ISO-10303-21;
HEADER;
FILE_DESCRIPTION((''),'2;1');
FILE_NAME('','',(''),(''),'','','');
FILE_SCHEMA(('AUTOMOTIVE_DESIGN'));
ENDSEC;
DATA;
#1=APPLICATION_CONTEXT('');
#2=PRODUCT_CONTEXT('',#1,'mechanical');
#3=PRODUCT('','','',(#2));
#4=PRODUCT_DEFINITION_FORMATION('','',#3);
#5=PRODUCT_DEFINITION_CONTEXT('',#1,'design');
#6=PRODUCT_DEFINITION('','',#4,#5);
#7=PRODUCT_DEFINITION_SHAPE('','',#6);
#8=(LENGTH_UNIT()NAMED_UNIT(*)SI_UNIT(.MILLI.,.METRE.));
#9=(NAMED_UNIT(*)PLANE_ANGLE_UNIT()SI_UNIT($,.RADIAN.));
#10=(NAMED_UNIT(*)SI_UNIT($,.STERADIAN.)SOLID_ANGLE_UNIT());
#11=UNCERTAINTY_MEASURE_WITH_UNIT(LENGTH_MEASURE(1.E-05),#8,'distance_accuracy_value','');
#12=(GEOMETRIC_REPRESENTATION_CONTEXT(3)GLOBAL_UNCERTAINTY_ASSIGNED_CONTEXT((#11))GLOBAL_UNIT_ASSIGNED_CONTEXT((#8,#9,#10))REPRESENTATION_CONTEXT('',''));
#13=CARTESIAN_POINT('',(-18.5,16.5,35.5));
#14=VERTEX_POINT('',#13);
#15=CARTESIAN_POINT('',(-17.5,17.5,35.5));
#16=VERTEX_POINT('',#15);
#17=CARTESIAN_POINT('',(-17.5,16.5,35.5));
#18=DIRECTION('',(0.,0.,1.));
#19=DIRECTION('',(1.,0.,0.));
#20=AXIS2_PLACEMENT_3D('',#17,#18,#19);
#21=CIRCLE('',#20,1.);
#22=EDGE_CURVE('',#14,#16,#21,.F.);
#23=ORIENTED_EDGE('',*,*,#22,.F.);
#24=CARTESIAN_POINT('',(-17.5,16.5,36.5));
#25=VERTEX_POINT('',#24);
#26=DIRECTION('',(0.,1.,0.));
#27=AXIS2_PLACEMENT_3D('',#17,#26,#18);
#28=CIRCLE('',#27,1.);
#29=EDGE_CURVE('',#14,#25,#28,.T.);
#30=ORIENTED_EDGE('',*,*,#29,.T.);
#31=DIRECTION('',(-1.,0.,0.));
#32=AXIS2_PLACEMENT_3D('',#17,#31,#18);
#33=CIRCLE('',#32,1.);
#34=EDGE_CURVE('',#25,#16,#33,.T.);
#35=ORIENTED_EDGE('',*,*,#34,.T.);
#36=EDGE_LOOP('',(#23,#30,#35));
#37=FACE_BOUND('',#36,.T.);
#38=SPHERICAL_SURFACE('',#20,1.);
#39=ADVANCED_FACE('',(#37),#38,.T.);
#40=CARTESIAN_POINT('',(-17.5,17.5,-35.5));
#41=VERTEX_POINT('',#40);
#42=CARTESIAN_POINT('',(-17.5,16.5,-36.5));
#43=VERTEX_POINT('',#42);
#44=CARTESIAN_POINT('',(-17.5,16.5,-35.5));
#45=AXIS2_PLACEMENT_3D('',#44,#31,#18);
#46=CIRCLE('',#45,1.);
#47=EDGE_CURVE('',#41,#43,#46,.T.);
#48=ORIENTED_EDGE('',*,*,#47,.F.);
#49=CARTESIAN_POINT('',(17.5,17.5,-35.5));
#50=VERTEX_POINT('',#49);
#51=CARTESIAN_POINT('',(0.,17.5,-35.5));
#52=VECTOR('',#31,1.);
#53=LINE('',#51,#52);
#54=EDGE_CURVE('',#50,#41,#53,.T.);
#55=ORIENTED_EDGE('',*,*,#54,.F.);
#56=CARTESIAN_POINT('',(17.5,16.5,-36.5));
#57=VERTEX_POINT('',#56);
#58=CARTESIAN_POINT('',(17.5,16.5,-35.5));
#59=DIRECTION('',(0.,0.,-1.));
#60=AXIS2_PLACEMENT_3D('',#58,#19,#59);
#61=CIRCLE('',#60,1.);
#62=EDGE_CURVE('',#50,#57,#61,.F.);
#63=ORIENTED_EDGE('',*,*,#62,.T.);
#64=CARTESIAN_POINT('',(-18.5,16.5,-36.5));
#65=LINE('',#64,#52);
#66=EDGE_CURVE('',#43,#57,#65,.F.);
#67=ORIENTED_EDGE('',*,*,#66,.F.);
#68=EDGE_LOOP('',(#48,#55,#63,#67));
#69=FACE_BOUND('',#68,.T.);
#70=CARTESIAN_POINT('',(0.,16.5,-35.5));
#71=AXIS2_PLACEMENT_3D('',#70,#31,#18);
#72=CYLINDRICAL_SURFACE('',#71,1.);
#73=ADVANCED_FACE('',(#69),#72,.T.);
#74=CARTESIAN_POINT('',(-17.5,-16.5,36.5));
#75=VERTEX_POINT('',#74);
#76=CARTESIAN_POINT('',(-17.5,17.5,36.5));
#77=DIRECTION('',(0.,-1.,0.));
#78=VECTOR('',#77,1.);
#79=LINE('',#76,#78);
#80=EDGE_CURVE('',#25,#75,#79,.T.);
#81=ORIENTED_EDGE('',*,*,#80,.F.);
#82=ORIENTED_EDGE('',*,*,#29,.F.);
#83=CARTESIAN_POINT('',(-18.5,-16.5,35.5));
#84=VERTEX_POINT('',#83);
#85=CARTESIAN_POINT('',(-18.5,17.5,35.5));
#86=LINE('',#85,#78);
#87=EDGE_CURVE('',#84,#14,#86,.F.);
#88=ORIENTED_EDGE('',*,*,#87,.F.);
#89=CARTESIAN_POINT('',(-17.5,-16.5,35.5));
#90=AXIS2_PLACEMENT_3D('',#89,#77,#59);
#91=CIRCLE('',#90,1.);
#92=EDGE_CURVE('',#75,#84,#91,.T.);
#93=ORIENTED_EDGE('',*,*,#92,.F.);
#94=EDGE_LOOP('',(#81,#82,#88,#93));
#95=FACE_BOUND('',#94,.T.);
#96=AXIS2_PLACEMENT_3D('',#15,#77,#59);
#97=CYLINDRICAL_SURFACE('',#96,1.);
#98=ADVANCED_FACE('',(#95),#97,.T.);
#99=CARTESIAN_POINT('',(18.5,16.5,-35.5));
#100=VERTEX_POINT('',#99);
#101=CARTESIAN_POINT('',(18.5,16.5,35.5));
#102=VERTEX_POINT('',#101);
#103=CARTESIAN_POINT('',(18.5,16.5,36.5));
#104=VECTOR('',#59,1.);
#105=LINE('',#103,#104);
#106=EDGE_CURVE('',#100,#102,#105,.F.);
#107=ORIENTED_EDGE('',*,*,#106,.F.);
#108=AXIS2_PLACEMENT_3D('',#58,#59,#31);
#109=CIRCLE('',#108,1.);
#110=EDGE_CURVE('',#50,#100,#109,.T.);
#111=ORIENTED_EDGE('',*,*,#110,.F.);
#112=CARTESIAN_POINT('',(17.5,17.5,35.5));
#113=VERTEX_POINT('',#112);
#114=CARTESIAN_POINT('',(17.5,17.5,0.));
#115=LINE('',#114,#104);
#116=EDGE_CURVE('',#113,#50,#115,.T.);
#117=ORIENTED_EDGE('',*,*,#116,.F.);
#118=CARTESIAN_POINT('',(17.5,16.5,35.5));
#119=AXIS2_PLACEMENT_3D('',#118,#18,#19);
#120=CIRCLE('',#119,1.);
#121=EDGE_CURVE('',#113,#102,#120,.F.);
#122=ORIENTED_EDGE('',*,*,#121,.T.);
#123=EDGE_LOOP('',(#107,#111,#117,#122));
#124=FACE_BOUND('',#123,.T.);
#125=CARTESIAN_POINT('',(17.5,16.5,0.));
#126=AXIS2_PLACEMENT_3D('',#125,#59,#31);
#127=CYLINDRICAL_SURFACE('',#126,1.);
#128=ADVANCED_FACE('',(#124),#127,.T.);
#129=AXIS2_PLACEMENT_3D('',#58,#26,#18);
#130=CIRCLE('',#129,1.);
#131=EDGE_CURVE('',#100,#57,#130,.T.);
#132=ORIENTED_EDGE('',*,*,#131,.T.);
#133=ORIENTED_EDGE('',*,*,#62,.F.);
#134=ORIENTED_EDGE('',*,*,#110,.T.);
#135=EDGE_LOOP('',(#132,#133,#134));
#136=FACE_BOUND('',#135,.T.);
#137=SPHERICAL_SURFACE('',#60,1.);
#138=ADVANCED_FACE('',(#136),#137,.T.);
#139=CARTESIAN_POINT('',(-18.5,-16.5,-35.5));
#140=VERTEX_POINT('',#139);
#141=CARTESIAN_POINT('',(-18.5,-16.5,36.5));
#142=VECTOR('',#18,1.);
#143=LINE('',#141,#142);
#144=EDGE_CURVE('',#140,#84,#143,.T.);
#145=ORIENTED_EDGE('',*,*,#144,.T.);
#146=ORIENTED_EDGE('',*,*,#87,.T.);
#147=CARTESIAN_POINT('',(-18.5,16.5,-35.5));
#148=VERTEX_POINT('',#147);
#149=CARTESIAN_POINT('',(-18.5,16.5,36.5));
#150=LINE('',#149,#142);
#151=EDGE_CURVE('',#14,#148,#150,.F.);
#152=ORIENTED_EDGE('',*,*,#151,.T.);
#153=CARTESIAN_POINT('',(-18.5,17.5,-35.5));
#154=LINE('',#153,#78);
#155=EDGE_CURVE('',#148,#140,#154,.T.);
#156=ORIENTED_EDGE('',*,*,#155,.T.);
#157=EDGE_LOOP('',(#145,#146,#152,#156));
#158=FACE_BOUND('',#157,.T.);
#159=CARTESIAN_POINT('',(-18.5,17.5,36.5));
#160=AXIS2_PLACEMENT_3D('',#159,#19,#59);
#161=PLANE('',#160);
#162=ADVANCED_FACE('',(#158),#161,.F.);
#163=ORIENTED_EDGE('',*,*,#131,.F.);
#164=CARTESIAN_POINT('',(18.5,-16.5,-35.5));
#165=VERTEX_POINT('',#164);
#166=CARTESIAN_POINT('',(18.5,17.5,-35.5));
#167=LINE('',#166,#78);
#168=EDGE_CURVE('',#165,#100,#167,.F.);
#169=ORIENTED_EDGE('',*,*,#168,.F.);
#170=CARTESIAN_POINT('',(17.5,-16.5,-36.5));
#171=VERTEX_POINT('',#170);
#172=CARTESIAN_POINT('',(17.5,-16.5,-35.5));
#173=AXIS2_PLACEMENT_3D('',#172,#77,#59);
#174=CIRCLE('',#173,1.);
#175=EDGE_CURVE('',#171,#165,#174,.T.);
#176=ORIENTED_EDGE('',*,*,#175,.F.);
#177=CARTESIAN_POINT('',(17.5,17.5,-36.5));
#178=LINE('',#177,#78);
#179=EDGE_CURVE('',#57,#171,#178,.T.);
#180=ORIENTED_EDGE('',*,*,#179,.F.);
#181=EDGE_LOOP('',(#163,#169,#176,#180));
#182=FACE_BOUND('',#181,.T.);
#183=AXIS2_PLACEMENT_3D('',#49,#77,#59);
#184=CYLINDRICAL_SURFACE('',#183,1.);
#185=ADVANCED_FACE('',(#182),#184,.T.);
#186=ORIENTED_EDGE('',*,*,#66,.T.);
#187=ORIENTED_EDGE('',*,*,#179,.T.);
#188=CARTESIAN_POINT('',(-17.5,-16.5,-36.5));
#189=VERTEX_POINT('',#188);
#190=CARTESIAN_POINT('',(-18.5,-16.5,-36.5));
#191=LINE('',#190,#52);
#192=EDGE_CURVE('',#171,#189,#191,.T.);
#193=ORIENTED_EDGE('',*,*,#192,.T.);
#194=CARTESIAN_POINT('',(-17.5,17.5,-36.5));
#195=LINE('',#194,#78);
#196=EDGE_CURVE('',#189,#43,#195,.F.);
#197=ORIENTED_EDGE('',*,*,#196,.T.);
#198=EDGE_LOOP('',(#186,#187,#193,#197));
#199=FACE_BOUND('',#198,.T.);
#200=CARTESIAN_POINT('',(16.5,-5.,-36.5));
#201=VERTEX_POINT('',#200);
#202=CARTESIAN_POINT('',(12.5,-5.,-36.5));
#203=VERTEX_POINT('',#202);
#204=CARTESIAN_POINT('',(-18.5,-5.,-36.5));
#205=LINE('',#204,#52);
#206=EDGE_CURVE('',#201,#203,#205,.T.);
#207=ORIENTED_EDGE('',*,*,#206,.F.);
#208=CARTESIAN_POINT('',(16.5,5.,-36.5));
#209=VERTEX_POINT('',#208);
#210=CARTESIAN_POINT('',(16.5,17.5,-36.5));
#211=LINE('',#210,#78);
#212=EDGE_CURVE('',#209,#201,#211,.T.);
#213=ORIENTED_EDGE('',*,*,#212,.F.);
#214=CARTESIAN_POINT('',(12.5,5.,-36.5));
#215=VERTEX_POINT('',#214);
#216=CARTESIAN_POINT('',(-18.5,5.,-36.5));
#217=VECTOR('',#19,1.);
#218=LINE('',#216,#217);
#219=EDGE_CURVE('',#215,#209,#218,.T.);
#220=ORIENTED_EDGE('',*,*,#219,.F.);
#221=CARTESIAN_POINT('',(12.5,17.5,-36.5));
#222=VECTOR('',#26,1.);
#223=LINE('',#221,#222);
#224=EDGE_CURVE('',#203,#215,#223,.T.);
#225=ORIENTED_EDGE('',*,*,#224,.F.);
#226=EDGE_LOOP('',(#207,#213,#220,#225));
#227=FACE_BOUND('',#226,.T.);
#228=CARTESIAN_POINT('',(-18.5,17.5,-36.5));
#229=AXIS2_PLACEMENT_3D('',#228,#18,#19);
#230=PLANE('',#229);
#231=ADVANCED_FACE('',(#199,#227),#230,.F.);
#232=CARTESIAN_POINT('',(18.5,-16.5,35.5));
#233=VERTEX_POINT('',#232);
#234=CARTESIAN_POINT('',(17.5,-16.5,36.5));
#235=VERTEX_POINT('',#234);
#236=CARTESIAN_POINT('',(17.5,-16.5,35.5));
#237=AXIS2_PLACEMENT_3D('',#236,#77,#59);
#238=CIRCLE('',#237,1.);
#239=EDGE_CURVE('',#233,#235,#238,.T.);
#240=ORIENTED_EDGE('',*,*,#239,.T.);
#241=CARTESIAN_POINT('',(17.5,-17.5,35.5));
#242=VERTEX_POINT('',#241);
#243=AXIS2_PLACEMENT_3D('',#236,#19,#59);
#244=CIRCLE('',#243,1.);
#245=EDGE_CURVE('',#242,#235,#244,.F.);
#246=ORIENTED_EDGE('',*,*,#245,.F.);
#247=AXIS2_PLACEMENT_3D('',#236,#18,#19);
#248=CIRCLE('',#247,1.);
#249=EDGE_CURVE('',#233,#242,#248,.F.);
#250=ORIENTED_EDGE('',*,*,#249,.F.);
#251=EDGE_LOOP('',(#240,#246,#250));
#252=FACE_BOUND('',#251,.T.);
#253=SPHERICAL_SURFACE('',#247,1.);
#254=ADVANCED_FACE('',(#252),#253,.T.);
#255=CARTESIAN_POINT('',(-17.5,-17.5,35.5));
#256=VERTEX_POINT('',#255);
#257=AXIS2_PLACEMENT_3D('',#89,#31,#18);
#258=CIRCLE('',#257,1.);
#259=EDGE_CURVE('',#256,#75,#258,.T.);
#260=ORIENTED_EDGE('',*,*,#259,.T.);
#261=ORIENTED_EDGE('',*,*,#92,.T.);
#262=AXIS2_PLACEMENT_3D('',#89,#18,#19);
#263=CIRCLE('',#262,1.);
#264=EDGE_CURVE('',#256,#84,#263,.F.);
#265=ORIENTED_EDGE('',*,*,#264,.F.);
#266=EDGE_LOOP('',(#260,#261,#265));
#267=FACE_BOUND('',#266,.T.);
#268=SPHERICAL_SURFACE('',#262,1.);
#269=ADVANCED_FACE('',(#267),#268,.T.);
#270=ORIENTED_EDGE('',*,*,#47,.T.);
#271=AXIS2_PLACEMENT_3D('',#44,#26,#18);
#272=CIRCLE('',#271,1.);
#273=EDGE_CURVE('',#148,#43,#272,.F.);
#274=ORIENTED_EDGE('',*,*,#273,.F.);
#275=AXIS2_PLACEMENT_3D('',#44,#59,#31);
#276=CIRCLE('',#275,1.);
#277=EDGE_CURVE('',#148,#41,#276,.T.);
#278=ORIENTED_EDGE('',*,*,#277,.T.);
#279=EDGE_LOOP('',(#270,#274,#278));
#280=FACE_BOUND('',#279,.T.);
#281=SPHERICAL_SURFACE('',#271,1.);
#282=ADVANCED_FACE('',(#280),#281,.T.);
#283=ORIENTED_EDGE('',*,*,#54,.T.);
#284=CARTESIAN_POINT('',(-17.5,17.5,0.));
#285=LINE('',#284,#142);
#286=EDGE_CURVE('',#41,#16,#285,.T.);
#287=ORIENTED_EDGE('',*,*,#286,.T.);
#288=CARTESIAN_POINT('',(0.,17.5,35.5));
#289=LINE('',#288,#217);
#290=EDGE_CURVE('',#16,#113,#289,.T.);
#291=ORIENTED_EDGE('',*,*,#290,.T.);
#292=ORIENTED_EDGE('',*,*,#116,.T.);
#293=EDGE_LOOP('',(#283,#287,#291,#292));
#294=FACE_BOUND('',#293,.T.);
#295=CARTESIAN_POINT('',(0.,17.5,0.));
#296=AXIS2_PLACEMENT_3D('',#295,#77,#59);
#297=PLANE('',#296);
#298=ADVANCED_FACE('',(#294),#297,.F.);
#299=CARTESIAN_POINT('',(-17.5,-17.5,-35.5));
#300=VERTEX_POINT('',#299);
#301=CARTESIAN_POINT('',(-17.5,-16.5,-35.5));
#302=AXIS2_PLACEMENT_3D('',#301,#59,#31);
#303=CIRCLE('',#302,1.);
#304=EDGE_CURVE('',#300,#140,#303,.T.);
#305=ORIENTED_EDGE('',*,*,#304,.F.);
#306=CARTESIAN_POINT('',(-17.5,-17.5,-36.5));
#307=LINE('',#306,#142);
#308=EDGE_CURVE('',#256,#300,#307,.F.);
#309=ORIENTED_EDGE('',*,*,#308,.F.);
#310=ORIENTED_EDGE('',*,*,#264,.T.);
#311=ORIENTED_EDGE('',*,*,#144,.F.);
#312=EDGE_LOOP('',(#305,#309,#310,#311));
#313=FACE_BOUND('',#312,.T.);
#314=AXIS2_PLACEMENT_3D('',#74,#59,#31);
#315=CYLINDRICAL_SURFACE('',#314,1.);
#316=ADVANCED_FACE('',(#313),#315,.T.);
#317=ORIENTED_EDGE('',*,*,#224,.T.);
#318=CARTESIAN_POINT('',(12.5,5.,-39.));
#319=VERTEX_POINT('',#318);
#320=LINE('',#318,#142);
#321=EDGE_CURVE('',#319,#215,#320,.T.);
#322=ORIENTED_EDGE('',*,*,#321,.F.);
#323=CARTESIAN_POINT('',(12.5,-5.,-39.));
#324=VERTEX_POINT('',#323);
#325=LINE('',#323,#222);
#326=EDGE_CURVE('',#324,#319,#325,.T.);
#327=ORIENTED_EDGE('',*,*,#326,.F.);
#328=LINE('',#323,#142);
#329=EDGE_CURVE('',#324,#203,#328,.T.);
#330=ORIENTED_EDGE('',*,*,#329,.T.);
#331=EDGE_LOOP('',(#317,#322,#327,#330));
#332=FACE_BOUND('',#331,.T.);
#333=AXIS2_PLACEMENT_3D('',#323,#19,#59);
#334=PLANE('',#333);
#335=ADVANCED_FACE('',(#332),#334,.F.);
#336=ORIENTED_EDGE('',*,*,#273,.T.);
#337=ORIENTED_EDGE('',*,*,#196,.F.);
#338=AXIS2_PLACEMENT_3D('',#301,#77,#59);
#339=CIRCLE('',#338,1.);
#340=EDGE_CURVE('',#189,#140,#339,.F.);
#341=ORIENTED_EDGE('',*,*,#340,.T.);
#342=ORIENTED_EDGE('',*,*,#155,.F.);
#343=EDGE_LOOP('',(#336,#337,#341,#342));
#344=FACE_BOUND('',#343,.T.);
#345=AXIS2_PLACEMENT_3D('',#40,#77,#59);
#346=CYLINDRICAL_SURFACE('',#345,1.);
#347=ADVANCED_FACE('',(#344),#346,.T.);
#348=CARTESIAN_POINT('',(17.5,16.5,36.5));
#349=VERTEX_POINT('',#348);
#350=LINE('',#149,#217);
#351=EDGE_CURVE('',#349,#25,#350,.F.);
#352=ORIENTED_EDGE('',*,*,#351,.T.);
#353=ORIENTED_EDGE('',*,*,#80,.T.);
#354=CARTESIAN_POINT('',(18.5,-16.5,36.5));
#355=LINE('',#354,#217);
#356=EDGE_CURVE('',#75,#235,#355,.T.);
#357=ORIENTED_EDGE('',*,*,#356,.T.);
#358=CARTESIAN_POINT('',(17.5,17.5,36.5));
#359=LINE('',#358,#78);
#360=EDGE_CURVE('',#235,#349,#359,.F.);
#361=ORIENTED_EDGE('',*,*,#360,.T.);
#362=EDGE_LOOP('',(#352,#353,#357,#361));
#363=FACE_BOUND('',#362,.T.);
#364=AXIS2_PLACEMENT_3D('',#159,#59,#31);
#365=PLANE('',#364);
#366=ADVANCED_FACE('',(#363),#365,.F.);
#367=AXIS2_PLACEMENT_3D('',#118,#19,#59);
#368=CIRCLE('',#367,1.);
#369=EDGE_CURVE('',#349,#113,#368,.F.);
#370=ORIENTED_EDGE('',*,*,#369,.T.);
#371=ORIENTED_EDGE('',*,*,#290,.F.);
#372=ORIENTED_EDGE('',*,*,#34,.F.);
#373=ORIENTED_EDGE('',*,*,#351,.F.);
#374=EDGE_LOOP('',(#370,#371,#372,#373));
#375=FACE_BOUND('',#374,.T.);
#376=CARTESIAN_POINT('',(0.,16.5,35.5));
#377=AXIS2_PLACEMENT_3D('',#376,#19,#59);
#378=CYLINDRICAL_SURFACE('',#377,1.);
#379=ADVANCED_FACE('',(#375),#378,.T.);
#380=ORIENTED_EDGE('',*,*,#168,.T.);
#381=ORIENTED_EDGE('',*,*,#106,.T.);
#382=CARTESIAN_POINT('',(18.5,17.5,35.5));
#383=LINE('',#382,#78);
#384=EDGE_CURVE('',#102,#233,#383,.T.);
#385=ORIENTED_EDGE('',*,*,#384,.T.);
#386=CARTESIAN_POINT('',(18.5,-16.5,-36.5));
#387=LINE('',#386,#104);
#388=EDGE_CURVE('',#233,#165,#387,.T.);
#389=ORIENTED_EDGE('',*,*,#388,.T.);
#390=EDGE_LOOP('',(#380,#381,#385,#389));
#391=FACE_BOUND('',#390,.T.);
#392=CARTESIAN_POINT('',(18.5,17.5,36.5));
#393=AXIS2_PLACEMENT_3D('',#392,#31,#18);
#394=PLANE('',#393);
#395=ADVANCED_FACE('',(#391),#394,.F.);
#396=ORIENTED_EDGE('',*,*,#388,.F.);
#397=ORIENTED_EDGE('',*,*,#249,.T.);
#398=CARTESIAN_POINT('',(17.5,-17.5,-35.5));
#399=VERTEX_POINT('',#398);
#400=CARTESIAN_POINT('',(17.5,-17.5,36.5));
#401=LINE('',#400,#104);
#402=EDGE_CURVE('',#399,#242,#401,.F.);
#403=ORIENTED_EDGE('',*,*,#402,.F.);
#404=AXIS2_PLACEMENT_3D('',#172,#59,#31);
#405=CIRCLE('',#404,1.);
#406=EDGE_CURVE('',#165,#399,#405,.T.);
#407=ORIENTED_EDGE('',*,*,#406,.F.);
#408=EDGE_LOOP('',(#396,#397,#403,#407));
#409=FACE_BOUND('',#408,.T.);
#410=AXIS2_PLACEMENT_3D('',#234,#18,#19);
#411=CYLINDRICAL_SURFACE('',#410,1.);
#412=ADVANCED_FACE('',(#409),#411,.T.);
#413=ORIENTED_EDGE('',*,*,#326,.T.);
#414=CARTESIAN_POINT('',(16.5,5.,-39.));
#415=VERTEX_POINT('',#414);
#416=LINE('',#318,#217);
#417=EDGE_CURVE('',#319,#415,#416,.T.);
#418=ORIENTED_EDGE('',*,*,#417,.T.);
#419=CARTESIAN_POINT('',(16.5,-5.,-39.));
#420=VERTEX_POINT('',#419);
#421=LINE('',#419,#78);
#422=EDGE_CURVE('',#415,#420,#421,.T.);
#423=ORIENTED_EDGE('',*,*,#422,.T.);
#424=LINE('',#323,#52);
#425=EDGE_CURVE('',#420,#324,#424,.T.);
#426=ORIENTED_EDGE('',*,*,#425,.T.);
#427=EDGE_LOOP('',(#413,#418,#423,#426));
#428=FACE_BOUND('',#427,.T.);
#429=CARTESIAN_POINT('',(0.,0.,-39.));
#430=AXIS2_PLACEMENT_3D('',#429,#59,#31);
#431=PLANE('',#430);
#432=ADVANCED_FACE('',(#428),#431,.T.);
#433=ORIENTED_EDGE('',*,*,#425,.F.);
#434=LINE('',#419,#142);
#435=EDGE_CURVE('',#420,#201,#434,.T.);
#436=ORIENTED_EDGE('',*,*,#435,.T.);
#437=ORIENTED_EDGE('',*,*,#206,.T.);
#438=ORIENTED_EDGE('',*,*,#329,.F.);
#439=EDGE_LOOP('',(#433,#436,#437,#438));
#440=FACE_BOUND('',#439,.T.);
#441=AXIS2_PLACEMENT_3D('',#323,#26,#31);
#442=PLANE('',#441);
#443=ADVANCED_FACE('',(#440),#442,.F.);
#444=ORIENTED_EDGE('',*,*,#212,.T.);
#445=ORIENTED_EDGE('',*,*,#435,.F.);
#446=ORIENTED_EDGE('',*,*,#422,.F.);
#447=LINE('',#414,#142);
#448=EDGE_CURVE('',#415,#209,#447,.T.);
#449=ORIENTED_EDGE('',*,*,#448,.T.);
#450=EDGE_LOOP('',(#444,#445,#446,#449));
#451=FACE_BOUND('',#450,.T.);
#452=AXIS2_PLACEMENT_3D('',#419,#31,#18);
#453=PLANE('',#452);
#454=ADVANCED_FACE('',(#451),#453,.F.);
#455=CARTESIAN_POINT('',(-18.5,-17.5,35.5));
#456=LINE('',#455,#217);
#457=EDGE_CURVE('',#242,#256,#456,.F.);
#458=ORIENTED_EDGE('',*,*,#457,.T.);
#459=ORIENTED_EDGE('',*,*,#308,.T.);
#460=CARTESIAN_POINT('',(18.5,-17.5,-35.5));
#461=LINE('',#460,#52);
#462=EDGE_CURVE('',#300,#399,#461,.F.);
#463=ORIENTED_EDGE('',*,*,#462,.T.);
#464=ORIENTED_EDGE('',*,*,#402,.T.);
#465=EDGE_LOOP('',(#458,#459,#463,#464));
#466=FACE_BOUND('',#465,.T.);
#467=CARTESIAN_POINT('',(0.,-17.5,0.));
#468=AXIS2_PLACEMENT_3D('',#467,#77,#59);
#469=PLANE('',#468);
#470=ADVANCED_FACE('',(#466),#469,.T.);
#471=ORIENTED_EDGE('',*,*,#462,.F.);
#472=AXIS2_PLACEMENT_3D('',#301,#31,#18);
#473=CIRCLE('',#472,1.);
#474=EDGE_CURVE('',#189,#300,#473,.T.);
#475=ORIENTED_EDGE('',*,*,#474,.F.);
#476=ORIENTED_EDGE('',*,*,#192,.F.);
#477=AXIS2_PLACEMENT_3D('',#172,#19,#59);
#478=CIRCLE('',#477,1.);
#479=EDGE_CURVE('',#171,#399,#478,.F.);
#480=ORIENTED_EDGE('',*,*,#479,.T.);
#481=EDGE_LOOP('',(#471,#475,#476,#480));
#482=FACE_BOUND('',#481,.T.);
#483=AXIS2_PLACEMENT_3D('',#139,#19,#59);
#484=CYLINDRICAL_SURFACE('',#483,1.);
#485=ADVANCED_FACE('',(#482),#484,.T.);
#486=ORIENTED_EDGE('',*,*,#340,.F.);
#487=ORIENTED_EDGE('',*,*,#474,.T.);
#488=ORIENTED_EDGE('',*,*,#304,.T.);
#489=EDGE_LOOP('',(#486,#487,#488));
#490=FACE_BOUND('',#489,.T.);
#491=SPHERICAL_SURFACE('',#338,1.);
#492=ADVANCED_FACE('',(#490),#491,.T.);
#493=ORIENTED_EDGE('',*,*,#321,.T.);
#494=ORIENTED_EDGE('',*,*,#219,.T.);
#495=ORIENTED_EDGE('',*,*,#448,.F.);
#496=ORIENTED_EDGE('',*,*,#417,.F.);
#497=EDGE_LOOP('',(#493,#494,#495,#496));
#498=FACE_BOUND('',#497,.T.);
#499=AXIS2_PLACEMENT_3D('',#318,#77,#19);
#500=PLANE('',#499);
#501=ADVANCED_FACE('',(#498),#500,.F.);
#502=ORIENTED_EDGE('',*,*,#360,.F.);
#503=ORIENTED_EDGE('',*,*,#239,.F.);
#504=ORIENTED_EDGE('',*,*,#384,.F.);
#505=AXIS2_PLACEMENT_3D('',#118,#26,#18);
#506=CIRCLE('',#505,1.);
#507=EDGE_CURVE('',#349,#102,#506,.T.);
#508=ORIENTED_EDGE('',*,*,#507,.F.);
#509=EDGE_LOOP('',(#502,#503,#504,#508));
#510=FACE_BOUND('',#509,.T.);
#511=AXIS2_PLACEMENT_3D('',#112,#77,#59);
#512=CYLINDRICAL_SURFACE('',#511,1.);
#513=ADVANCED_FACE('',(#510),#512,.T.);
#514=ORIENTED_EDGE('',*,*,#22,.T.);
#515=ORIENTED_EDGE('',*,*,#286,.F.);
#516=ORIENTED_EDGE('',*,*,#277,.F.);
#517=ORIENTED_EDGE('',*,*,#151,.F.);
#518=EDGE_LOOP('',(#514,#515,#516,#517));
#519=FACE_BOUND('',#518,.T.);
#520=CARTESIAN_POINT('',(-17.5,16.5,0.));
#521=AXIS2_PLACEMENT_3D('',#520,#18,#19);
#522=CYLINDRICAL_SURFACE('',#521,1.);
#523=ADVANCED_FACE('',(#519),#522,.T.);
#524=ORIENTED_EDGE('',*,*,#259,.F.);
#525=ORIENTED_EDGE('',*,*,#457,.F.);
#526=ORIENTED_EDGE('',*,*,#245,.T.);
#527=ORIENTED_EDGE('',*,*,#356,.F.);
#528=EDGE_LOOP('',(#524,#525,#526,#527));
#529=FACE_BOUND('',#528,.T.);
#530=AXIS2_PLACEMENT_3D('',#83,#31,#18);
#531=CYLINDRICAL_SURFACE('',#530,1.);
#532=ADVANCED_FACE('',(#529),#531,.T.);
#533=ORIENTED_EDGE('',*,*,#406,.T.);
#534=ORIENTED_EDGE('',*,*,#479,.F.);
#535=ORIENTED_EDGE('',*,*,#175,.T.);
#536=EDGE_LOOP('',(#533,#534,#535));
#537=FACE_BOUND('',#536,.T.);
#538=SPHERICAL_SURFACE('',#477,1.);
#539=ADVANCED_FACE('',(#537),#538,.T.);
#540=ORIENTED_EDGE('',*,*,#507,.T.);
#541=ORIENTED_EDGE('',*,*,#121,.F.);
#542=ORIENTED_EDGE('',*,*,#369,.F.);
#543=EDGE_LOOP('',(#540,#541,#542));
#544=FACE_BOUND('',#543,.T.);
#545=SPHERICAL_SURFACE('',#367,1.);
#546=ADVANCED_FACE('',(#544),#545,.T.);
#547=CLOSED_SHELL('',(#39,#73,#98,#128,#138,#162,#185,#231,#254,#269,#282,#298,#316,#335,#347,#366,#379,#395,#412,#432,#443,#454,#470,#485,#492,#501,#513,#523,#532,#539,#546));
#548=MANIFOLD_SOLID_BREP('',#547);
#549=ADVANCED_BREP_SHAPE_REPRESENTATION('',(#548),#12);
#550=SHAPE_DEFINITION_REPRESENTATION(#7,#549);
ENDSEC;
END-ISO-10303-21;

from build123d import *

# Parameters (mm, degrees)
SKETCH1_W           = 37
SKETCH1_H           = 73
BOSS_EXTRUDE1_DEPTH = 17.5
SKETCH2_W           = 4
SKETCH2_H           = 10
BOSS_EXTRUDE2_DEPTH = 2.5
FILLET1_R           = 1


with BuildPart() as part:
    # Sketch1 → Boss-Extrude1 (new body, symmetric)
    with BuildSketch(Plane(origin=(0, 0, 0), x_dir=(1, 0, 0), z_dir=(0, 1, 0))):
        Rectangle(SKETCH1_W, SKETCH1_H)
    extrude(amount=BOSS_EXTRUDE1_DEPTH, both=True)

    # Sketch2 → Boss-Extrude2 (add, symmetric)
    with BuildSketch(Plane(origin=(0, 0, -36.5), x_dir=(-1, 0, 0), z_dir=(0, 0, -1))):
        with Locations((-14.5, 0)):
            Rectangle(SKETCH2_W, SKETCH2_H)
    extrude(amount=BOSS_EXTRUDE2_DEPTH, both=True)

    # Fillet1
    fillet1_edges = [part.edges().sort_by_distance(p)[0] for p in [
        (-18.5, 17.5, 0),
        (0, 17.5, 36.5),
        (18.5, 17.5, 0),
        (0, -17.5, 36.5),
        (-18.5, -17.5, 0),
        (0, -17.5, -36.5),
        (18.5, -17.5, 0),
        (18.5, 0, 36.5),
        (-18.5, 0, 36.5),
        (-18.5, 0, -36.5),
        (18.5, 0, -36.5),
        (0, 17.5, -36.5),
    ]]
    fillet(fillet1_edges, radius=FILLET1_R)


solid = part.part
